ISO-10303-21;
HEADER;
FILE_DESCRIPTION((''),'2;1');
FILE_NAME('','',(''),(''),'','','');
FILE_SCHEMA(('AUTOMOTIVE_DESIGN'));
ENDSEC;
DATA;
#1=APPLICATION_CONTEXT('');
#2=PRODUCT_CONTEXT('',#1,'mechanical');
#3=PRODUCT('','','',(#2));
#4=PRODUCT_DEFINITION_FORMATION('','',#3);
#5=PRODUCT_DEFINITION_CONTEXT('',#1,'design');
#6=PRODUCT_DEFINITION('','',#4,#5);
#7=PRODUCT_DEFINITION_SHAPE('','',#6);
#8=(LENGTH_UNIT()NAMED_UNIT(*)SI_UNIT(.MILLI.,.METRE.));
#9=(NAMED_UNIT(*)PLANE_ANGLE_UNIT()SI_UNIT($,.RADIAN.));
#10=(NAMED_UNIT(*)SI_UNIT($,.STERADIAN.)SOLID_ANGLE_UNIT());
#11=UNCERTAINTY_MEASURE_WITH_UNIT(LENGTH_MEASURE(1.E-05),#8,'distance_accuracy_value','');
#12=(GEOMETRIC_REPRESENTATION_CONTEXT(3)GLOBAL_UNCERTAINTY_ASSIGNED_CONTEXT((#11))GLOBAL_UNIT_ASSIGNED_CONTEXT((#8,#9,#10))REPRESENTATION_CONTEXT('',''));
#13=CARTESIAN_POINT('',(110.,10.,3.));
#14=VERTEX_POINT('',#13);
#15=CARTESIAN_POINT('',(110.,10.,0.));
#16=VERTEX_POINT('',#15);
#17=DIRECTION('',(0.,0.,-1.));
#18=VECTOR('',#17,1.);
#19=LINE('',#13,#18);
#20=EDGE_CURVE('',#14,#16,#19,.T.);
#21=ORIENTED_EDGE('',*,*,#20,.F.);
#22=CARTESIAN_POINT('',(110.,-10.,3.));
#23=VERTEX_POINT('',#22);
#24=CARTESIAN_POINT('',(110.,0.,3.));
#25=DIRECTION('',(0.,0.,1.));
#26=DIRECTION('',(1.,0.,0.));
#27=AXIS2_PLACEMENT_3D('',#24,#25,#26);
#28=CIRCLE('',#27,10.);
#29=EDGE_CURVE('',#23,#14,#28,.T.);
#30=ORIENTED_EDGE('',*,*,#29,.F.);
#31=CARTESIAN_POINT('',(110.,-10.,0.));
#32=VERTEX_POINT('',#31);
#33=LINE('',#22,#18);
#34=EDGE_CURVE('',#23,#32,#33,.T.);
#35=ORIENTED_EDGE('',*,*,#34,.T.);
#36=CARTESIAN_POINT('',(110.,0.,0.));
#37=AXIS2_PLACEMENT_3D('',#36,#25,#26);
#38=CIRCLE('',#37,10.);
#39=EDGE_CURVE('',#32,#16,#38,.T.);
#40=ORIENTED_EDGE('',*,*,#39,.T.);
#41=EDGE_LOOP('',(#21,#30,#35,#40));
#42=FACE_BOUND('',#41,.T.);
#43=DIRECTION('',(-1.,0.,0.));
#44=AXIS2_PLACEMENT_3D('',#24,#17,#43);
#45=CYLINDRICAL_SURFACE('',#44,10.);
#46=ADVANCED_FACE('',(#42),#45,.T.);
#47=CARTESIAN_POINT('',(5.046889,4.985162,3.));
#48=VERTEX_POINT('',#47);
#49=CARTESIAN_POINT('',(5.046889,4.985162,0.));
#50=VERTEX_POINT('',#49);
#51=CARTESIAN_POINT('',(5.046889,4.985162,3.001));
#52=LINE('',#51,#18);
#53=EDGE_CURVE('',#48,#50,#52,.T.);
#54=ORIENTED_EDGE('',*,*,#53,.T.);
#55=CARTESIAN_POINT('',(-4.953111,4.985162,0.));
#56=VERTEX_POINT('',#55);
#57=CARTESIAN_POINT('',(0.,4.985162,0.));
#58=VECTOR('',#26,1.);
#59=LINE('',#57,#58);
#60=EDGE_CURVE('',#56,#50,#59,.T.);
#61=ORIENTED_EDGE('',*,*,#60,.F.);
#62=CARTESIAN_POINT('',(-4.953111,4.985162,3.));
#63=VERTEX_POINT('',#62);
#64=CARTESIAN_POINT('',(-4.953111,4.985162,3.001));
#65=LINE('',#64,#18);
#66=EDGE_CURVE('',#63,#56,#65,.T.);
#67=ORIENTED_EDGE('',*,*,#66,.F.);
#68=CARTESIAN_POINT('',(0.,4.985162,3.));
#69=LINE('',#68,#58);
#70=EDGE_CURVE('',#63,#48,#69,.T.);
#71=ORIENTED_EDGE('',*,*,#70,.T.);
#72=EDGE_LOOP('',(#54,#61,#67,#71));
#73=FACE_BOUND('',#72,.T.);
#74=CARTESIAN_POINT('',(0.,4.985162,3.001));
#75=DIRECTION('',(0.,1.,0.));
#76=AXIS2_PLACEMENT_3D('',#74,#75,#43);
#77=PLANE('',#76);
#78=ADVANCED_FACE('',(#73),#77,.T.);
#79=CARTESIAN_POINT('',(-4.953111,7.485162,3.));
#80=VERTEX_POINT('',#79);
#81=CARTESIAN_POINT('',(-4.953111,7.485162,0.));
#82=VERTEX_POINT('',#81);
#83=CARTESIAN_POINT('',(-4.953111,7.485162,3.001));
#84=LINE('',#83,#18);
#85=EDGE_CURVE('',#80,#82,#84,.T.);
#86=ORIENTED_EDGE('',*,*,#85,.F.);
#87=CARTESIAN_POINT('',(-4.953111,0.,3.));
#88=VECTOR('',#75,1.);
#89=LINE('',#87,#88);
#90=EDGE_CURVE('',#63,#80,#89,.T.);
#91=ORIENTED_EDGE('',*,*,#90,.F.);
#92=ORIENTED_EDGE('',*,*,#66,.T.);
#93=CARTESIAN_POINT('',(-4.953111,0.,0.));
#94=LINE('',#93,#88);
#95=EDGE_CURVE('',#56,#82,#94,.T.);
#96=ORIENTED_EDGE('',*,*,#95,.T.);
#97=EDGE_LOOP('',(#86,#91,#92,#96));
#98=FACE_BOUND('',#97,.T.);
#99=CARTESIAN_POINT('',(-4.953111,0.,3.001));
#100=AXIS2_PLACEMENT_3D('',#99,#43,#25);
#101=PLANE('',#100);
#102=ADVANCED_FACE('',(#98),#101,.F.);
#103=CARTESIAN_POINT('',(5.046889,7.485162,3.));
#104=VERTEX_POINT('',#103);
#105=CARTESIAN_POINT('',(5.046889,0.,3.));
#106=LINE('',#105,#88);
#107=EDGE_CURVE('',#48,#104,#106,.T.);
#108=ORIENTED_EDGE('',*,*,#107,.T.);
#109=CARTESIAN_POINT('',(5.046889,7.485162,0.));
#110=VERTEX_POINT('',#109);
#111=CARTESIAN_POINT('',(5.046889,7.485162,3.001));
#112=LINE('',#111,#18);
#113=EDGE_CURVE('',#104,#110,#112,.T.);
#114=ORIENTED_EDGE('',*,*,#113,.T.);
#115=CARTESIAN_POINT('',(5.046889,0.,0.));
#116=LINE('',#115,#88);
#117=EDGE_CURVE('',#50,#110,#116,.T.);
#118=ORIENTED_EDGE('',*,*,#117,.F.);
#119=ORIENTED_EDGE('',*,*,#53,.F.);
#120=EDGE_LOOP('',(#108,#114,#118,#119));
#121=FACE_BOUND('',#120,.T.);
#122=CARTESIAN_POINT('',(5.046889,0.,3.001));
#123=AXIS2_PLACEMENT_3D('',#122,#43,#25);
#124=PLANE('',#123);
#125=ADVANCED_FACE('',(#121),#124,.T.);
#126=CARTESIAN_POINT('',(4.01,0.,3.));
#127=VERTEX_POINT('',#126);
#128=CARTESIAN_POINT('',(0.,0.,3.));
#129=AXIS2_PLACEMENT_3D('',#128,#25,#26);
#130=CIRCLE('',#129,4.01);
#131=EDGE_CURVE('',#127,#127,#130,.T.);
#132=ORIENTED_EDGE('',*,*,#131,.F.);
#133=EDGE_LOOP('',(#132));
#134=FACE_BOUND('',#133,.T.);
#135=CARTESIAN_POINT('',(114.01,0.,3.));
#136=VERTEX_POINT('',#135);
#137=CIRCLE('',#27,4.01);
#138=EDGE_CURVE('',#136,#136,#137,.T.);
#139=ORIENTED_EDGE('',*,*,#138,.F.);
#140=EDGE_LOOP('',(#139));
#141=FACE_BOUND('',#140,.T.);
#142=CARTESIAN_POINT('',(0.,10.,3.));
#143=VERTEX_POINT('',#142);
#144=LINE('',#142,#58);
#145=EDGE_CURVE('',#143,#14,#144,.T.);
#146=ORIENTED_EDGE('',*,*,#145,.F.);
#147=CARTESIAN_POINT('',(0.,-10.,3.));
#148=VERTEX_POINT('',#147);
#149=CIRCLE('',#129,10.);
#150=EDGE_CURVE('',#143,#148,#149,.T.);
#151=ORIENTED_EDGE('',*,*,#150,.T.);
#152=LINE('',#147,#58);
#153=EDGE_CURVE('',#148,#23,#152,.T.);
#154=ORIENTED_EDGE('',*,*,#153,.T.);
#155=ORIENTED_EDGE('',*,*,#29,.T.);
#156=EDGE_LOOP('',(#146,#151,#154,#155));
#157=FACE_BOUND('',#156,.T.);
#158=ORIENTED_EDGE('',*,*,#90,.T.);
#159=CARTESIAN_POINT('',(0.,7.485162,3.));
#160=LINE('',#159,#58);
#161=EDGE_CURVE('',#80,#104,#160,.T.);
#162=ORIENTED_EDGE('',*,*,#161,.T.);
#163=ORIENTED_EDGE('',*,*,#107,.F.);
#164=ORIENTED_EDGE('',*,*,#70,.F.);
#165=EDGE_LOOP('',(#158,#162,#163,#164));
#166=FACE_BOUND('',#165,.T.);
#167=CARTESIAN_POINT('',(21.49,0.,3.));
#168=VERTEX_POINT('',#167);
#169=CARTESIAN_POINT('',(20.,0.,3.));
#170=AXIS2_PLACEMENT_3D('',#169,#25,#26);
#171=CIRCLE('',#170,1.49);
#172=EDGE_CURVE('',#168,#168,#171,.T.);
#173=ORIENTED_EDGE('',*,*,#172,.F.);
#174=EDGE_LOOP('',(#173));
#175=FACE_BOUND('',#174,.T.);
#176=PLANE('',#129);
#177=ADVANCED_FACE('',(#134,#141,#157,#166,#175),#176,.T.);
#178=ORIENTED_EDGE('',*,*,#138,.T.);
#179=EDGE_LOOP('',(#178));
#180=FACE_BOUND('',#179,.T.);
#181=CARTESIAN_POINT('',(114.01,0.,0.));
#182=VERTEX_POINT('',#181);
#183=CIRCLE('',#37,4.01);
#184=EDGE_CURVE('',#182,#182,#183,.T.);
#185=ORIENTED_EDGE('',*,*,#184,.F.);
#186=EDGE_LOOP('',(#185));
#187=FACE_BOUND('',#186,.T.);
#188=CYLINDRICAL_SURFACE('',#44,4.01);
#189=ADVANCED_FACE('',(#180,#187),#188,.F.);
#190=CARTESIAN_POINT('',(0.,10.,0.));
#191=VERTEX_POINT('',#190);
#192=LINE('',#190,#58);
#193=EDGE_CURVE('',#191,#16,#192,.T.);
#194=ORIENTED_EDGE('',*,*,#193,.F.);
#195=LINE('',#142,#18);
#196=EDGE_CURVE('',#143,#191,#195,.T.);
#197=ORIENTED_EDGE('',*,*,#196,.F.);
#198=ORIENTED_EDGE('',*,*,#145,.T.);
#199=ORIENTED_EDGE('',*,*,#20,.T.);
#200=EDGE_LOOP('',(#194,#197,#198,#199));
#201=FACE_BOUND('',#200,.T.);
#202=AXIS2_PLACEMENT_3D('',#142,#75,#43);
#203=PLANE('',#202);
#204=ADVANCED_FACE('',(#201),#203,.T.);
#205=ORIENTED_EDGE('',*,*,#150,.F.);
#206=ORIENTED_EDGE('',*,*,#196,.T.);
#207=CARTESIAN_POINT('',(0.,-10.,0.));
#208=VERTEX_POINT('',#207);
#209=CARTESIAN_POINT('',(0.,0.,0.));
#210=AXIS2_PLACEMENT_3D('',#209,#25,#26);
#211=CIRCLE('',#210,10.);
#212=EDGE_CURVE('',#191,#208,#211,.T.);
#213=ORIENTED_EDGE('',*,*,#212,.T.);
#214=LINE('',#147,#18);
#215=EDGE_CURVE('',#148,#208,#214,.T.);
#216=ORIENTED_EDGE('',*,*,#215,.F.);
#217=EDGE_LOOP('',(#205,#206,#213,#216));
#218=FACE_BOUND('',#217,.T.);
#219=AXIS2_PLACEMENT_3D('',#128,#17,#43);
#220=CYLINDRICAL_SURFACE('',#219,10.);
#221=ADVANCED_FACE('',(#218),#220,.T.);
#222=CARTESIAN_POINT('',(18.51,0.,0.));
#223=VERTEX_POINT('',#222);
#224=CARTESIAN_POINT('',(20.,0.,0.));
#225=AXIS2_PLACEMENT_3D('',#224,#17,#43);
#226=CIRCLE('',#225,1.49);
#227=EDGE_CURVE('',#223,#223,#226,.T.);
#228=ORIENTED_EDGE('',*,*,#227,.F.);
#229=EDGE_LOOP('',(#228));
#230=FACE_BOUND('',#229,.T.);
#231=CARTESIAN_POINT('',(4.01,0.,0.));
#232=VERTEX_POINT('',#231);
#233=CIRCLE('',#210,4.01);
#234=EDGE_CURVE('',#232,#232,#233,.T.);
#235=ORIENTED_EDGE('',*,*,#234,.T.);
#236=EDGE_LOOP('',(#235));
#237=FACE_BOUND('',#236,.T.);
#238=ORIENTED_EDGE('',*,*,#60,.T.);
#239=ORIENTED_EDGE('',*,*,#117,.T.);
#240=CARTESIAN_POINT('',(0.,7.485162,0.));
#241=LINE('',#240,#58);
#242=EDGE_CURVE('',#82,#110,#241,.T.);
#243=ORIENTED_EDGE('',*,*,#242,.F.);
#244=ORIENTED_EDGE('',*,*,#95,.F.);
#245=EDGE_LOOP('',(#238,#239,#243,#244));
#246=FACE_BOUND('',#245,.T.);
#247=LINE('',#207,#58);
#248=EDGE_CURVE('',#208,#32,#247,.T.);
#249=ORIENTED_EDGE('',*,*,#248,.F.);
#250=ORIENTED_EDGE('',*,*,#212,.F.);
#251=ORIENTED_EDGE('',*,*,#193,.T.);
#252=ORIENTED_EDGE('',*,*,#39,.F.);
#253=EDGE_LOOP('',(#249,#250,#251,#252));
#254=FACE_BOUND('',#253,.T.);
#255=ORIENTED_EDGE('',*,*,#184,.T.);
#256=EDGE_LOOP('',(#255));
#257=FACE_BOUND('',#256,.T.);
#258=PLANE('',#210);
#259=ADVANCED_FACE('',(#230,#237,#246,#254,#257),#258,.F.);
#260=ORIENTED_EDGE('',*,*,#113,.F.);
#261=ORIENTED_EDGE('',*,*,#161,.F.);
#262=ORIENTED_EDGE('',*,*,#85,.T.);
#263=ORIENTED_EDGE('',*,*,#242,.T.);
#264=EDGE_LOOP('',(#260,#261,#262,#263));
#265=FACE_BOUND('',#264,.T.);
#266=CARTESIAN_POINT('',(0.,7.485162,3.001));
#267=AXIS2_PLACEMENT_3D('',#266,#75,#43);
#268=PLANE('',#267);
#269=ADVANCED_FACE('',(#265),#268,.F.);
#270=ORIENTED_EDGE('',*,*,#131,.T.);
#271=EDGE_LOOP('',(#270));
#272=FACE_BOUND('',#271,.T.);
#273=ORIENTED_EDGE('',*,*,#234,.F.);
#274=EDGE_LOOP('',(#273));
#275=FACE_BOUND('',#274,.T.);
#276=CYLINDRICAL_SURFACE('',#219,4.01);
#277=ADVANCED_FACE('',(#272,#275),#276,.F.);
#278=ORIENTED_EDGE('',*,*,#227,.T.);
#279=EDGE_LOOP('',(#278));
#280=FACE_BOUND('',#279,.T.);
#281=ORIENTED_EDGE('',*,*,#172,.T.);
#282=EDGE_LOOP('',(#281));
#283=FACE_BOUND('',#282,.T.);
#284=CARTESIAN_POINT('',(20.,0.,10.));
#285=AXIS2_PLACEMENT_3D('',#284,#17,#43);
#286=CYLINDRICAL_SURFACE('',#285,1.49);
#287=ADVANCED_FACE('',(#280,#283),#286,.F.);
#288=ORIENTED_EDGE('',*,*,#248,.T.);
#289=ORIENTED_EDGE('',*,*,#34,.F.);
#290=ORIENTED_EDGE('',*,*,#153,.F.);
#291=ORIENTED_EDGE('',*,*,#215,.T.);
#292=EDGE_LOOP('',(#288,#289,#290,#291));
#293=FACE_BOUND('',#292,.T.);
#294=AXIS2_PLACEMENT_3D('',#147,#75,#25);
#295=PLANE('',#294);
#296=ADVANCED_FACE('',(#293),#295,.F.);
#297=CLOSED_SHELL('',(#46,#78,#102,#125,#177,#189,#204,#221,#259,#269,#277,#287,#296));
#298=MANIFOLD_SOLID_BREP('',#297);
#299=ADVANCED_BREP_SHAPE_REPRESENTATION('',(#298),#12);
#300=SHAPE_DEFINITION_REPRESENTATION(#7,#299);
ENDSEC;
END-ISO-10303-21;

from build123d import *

# Parameters (mm, degrees)
SKETCH1_R           = 4.01
BOSS_EXTRUDE1_DEPTH = 3
CUT_EXTRUDE2_REACH  = 122.453
SKETCH4_W           = 10
SKETCH4_H           = 2.5
SKETCH2_R           = 1.49
CUT_EXTRUDE3_DEPTH  = 10


with BuildPart() as part:
    # Sketch1 → Boss-Extrude1 (new body)
    with BuildSketch(Plane.XY):
        with BuildLine():
            Line((110, 10), (0, 10))
            ThreePointArc((0, 10), (-10, 0), (0, -10))
            Line((0, -10), (110, -10))
            ThreePointArc((110, -10), (120, 0), (110, 10))
        make_face()
        Circle(SKETCH1_R, mode=Mode.SUBTRACT)
        with Locations((110, 0)):
            Circle(SKETCH1_R, mode=Mode.SUBTRACT)
    extrude(amount=BOSS_EXTRUDE1_DEPTH)

    # Sketch4 → Cut-Extrude2 (cut, up to next)
    with BuildSketch(Plane(origin=(0, 0, 0), x_dir=(-1, 0, 0), z_dir=(0, 0, -1)), mode=Mode.PRIVATE) as cut_extrude2_sk1:
        with Locations((-0.046889456, 6.235161972)):
            Rectangle(SKETCH4_W, SKETCH4_H)
    cut_extrude2_tool1 = extrude(cut_extrude2_sk1.sketch, amount=-CUT_EXTRUDE2_REACH, mode=Mode.PRIVATE) & part.part
    add(cut_extrude2_tool1.solids().sort_by_distance((0.046889, 6.235162, 0))[0], mode=Mode.SUBTRACT)

    # Sketch2 → Cut-Extrude3 (cut)
    with BuildSketch(Plane(origin=(0, 0, 0), x_dir=(-1, 0, 0), z_dir=(0, 0, -1))):
        with Locations((-20, 0)):
            Circle(SKETCH2_R)
    extrude(amount=-CUT_EXTRUDE3_DEPTH, mode=Mode.SUBTRACT)


solid = part.part
